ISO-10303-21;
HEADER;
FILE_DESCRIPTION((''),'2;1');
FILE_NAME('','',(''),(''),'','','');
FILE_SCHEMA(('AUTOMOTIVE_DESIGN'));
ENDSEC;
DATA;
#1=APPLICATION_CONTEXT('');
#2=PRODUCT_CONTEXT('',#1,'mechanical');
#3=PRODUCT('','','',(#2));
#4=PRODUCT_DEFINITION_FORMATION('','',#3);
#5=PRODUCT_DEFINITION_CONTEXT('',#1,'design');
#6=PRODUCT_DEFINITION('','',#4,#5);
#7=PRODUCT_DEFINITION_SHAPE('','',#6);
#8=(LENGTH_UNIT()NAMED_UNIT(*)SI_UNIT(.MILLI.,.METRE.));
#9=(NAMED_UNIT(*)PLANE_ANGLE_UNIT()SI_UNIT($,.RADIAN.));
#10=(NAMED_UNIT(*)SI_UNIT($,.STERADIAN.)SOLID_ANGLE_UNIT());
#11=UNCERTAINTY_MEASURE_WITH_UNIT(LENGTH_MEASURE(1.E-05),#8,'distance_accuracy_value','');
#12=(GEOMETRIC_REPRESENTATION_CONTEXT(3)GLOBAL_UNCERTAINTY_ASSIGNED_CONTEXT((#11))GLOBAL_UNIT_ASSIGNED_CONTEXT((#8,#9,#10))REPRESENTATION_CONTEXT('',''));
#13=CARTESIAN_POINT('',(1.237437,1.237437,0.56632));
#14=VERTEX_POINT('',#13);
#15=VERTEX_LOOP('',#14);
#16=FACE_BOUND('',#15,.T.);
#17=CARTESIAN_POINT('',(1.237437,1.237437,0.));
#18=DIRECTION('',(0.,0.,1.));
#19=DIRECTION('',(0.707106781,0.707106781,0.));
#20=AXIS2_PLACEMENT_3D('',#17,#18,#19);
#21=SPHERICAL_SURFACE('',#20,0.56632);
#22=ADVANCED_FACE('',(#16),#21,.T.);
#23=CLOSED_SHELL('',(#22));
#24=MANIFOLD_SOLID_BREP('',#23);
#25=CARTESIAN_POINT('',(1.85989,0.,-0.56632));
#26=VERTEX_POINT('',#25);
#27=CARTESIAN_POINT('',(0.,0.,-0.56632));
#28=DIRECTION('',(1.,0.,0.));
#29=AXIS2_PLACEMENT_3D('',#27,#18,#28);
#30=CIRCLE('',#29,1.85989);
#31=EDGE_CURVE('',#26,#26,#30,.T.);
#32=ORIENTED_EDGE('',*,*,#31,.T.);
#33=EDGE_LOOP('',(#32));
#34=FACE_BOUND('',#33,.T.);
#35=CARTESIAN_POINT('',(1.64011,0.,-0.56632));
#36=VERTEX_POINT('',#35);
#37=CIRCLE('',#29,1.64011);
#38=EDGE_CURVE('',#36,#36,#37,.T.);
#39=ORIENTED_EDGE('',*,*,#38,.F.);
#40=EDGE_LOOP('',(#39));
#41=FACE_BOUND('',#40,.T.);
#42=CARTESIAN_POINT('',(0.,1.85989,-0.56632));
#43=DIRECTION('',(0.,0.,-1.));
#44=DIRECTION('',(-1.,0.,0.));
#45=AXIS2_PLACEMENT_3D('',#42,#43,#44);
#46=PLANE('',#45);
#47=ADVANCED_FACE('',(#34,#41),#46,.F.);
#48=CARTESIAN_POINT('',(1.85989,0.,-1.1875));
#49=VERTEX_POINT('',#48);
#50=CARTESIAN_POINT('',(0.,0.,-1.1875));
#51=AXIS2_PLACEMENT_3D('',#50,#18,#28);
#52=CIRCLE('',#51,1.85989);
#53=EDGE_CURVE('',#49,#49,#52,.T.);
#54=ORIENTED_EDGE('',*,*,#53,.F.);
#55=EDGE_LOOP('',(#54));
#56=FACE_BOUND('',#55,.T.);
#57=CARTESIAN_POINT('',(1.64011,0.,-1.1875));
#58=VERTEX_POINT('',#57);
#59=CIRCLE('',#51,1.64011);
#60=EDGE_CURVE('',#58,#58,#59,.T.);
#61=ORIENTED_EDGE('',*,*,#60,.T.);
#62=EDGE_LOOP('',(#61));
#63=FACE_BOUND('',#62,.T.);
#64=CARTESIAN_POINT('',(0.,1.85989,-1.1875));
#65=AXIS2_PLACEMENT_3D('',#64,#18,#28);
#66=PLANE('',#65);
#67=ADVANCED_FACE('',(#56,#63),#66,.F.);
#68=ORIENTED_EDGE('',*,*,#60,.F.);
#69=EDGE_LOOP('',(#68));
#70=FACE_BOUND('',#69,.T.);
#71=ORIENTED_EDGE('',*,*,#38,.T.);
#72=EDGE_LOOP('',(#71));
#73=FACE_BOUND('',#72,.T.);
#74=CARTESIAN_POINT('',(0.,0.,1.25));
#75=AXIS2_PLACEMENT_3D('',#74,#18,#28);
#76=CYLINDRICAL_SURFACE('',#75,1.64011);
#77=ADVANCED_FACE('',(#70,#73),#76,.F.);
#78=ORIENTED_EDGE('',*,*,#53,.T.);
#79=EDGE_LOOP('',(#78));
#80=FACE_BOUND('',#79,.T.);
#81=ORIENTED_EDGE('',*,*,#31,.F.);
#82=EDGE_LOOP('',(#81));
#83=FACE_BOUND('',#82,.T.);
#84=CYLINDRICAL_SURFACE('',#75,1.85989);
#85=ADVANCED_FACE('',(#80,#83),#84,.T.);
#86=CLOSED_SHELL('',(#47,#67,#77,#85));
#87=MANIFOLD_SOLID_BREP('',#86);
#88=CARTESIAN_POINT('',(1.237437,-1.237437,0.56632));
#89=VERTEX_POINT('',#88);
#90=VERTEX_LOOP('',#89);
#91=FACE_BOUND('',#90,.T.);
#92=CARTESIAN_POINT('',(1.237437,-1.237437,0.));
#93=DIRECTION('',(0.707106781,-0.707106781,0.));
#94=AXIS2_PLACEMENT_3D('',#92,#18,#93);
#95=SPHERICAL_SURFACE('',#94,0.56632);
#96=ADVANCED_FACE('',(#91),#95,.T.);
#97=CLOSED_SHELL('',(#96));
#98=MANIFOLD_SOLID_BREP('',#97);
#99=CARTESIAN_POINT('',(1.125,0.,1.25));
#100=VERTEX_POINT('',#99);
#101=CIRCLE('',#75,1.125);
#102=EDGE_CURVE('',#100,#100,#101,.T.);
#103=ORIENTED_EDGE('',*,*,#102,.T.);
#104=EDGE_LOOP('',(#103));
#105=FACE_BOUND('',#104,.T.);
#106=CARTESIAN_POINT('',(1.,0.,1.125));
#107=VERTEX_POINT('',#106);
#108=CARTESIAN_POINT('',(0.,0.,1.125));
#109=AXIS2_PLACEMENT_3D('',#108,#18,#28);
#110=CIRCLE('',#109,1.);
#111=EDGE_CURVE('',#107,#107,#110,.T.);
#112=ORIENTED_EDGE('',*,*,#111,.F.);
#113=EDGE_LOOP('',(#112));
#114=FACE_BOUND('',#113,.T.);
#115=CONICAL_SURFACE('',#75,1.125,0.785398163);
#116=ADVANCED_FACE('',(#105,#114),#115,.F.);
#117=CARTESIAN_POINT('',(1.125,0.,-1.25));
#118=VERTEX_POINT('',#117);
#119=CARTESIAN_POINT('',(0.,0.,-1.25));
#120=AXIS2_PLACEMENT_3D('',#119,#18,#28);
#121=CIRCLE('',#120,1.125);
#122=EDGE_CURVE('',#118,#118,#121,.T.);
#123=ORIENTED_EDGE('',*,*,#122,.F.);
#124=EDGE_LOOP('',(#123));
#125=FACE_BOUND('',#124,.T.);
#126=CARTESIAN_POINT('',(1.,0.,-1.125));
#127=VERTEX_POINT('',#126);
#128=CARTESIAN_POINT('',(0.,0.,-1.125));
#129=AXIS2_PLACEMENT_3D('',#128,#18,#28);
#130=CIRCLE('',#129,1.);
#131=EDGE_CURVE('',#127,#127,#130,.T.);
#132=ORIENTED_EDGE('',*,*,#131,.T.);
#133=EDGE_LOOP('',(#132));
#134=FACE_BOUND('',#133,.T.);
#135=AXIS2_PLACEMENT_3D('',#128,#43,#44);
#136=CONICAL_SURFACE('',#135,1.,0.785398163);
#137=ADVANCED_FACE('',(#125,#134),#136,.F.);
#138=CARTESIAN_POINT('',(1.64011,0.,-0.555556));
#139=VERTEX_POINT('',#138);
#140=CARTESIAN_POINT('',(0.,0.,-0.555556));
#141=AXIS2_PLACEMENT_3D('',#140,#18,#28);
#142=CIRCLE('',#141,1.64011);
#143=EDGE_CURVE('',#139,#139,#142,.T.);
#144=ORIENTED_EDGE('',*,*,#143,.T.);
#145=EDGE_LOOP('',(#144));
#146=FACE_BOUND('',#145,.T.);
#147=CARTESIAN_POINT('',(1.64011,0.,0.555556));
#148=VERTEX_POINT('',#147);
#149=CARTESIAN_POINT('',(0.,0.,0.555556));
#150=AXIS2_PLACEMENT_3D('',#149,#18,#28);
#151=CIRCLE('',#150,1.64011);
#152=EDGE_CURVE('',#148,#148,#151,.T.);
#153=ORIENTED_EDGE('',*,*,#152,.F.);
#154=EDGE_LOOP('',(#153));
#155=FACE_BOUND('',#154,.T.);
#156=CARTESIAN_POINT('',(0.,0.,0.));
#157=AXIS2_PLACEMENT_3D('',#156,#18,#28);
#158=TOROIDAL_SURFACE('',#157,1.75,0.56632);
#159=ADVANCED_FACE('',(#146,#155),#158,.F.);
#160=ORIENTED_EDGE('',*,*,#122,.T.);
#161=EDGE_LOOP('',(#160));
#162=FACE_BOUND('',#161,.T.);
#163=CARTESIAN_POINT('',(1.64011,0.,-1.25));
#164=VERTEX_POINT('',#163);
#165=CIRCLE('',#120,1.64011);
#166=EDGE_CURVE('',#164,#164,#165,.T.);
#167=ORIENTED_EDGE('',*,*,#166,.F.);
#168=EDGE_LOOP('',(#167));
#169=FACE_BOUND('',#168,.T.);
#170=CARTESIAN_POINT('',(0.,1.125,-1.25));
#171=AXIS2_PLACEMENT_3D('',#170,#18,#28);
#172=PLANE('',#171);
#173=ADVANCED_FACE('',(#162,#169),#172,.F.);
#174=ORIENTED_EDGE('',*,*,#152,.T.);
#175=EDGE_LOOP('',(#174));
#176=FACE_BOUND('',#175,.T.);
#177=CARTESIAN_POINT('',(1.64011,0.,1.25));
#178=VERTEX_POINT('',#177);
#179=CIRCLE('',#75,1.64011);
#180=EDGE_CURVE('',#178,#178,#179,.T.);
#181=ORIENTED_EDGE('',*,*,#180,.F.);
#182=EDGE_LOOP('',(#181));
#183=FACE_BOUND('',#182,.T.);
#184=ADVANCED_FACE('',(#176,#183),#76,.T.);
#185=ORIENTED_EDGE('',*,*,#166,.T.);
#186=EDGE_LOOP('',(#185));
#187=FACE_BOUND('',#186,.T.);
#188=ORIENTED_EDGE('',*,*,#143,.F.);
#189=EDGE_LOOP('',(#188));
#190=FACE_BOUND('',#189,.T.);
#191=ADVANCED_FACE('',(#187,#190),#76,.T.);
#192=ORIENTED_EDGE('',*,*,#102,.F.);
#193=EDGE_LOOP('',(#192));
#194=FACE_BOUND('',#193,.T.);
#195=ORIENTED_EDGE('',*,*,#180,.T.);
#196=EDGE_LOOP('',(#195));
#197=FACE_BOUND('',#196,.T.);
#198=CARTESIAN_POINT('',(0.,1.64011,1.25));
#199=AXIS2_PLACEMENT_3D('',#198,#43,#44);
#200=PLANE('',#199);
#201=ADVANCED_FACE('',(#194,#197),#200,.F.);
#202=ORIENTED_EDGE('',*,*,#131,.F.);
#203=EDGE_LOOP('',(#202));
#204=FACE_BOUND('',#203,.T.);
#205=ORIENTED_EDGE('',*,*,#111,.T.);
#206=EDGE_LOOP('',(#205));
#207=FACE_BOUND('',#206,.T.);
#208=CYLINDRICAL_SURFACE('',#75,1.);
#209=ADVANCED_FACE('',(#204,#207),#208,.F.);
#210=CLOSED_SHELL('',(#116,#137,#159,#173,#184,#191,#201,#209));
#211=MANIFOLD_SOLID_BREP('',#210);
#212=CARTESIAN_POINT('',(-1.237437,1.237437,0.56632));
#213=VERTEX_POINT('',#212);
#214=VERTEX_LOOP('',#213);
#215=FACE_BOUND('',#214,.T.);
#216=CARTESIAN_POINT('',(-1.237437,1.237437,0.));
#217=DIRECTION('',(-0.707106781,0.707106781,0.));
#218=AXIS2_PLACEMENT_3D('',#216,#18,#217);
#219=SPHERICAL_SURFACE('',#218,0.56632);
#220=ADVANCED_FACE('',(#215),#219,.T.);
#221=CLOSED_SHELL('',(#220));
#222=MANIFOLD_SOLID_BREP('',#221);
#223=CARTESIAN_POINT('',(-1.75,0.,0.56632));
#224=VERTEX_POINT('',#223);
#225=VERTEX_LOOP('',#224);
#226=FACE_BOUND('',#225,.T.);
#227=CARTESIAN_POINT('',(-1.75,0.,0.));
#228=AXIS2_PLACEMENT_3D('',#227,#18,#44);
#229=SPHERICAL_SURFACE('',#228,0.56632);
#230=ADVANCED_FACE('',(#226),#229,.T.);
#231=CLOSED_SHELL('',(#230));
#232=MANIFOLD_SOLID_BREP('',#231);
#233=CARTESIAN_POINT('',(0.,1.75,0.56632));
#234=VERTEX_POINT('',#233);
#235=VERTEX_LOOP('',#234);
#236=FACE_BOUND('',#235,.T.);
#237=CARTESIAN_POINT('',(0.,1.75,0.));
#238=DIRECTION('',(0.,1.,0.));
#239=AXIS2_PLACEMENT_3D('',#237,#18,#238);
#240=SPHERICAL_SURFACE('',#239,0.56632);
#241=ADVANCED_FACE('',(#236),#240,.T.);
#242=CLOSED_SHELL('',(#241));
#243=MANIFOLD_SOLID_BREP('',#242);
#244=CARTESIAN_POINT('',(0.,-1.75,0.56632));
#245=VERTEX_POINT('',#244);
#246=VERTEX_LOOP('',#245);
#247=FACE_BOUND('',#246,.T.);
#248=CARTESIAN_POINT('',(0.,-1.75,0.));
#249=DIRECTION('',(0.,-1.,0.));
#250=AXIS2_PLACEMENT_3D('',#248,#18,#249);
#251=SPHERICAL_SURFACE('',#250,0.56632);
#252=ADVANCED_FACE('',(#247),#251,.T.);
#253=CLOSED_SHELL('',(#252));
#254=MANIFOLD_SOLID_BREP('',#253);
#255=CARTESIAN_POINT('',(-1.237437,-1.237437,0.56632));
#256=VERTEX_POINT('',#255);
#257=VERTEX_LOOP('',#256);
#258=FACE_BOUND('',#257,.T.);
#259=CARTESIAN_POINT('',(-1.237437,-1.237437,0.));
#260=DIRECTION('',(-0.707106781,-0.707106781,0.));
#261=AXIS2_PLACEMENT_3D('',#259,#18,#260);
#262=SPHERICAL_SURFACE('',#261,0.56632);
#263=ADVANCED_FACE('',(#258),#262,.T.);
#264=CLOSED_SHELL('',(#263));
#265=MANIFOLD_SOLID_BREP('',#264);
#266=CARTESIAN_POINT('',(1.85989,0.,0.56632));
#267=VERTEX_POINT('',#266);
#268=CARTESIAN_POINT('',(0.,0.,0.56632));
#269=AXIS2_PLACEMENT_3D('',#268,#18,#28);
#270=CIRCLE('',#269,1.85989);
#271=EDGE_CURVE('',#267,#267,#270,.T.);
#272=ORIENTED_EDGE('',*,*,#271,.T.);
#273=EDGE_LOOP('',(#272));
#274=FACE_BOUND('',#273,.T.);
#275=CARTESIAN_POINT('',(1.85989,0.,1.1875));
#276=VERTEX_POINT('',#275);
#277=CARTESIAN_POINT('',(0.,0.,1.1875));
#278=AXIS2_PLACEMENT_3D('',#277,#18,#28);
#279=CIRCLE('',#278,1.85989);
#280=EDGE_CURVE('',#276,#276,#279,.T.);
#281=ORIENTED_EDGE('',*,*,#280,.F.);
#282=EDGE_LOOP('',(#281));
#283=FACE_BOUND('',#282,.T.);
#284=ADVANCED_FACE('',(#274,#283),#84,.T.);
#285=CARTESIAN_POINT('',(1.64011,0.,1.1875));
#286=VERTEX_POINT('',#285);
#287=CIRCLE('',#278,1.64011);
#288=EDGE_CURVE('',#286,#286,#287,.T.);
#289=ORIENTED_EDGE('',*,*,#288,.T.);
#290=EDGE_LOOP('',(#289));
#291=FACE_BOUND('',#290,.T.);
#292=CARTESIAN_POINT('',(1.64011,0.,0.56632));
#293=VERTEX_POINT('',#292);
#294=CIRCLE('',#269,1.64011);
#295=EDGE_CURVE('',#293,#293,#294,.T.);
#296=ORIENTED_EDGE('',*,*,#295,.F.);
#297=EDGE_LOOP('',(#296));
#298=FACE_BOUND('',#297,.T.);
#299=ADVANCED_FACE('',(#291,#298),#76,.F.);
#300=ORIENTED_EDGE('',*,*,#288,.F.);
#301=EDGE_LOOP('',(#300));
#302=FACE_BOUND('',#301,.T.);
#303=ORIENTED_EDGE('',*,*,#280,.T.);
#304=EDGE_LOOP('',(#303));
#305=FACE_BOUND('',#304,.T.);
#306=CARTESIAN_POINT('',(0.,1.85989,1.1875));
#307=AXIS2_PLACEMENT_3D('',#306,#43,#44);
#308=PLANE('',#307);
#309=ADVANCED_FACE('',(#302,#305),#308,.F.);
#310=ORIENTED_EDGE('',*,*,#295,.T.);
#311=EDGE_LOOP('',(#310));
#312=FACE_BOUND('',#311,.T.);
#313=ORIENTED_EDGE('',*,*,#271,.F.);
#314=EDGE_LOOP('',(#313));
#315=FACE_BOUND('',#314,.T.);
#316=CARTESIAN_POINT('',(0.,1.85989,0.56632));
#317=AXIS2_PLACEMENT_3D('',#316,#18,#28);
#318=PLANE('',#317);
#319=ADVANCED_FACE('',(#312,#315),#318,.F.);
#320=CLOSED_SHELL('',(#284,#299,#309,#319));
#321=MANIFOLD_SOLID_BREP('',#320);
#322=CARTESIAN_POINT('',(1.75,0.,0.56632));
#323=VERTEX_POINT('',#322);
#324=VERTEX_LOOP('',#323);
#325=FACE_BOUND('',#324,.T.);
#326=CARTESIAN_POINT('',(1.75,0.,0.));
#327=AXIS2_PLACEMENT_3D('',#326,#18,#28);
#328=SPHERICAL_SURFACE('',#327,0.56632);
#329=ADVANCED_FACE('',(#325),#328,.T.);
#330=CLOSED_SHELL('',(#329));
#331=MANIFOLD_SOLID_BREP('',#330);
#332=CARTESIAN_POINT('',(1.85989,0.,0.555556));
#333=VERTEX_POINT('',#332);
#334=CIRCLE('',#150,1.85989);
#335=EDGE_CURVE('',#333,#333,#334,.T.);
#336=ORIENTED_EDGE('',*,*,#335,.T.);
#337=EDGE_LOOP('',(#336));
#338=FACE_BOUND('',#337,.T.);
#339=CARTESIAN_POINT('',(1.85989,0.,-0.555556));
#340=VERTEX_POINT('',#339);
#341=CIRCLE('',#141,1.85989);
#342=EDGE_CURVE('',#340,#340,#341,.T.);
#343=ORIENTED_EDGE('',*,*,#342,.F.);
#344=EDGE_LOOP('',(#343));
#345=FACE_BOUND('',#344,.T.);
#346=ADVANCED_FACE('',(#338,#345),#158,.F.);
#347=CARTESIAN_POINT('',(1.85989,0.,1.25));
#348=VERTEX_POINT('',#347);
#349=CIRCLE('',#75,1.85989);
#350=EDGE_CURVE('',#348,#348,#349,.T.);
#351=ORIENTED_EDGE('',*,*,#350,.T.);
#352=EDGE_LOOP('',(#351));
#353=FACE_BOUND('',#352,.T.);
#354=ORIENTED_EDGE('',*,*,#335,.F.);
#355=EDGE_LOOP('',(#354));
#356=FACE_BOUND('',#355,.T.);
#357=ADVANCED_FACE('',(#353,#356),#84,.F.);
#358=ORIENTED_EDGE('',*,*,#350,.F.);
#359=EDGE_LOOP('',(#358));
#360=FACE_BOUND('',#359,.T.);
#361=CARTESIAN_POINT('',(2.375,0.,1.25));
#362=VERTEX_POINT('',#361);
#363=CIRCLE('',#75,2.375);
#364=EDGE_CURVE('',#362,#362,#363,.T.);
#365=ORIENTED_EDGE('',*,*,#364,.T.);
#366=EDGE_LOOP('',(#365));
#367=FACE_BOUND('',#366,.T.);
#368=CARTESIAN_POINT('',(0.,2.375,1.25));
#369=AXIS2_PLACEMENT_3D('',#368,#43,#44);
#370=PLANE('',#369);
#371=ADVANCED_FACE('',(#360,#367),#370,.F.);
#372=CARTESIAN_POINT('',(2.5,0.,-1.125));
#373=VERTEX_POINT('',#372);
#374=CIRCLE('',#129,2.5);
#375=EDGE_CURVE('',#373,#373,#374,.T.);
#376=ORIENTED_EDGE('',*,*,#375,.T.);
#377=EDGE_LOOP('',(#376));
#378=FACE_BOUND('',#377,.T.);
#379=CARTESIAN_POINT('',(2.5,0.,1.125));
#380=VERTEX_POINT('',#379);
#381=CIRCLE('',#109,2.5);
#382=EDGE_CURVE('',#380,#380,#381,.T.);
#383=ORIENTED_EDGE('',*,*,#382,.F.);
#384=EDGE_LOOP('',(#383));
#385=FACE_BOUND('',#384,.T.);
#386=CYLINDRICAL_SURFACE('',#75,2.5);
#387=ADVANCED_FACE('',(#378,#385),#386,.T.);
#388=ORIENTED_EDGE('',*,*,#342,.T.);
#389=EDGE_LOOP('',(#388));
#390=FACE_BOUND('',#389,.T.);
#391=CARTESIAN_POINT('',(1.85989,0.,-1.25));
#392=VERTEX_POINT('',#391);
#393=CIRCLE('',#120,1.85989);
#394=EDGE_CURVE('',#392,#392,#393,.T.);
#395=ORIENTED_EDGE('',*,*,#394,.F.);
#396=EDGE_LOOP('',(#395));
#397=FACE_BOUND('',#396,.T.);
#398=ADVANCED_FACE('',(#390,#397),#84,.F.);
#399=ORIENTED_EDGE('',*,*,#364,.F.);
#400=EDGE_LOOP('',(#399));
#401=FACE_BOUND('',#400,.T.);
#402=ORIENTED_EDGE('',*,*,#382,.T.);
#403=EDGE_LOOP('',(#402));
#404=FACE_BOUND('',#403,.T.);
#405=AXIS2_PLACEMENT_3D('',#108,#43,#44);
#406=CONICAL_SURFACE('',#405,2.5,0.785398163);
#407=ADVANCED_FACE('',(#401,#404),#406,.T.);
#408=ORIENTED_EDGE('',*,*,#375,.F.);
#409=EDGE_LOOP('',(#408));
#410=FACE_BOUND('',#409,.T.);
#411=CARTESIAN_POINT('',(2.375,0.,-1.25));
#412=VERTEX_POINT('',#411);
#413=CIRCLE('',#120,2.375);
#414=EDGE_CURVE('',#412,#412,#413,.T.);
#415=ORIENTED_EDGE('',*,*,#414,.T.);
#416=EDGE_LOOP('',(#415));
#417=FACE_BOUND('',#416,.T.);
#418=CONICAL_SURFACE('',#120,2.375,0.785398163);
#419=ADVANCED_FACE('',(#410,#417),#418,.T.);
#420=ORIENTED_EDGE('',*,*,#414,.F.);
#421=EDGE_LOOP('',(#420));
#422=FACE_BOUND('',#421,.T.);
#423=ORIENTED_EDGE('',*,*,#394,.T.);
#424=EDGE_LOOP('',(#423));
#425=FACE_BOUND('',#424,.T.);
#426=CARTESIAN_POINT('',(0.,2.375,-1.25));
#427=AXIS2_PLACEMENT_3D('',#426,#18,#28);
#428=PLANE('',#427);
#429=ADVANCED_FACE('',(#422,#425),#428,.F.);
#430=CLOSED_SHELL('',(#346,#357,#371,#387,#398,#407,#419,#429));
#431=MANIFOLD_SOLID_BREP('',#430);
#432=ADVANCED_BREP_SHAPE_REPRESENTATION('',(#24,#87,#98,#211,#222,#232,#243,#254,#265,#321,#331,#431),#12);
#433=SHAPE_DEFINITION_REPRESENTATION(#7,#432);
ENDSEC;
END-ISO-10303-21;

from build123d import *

# Parameters (mm, degrees)
CIRPATTERN1_COUNT = 8
SKETCH5_W         = 0.621180469
SKETCH5_H         = 0.21978022


with BuildPart() as part:
    # Sketch1 → Revolve1 (revolve)
    with BuildSketch(Plane(origin=(0, 0, 0), x_dir=(0, 0, -1), z_dir=(1, 0, 0))):
        with BuildLine():
            Line((1.125, 2.5), (-1.125, 2.5))
            Line((-1.125, 2.5), (-1.25, 2.375))
            Line((-1.25, 2.375), (-1.25, 1.85989011))
            Line((-1.25, 1.85989011), (-0.555555556, 1.85989011))
            ThreePointArc((-0.555555556, 1.85989011), (0, 2.316319531), (0.555555556, 1.85989011))
            Line((0.555555556, 1.85989011), (1.25, 1.85989011))
            Line((1.25, 1.85989011), (1.25, 2.375))
            Line((1.25, 2.375), (1.125, 2.5))
        make_face()
    revolve(axis=Axis((0, 0, 1.25), (0, 0, -1)))


with BuildPart() as body_2:
    # Sketch3 → Revolve3 (revolve)
    with BuildSketch(Plane(origin=(0, 0, 0), x_dir=(0, 0, -1), z_dir=(1, 0, 0))):
        with BuildLine():
            Line((-1.25, 1.64010989), (-0.555555556, 1.64010989))
            ThreePointArc((-0.555555556, 1.64010989), (0, 1.183680469), (0.555555556, 1.64010989))
            Line((0.555555556, 1.64010989), (1.25, 1.64010989))
            Line((1.25, 1.64010989), (1.25, 1.125))
            Line((1.25, 1.125), (1.125, 1))
            Line((1.125, 1), (-1.125, 1))
            Line((-1.125, 1), (-1.25, 1.125))
            Line((-1.25, 1.125), (-1.25, 1.64010989))
        make_face()
    revolve(axis=Axis((0, 0, 1.25), (0, 0, -1)))


with BuildPart() as body_3:
    # Sketch4 → Revolve4 (revolve)
    with BuildSketch(Plane(origin=(0, 0, 0), x_dir=(0, 0, -1), z_dir=(1, 0, 0))):
        with BuildLine():
            Line((-0.566319531, 1.75), (0.566319531, 1.75))
            ThreePointArc((0.566319531, 1.75), (0, 2.316319531), (-0.566319531, 1.75))
        make_face()
    revolve(axis=Axis((0, 1.75, 0.566319531), (0, 0, -1)))


with BuildPart() as cirpattern1_1:
    # CirPattern1: pattern copy
    add(body_3.part.rotate(Axis((0, 0, -1.25), (0, 0, 1)), 1 * 360 / CIRPATTERN1_COUNT))


with BuildPart() as cirpattern1_2:
    # CirPattern1: pattern copy
    add(body_3.part.rotate(Axis((0, 0, -1.25), (0, 0, 1)), 2 * 360 / CIRPATTERN1_COUNT))


with BuildPart() as cirpattern1_3:
    # CirPattern1: pattern copy
    add(body_3.part.rotate(Axis((0, 0, -1.25), (0, 0, 1)), 3 * 360 / CIRPATTERN1_COUNT))


with BuildPart() as cirpattern1_4:
    # CirPattern1: pattern copy
    add(body_3.part.rotate(Axis((0, 0, -1.25), (0, 0, 1)), 4 * 360 / CIRPATTERN1_COUNT))


with BuildPart() as cirpattern1_5:
    # CirPattern1: pattern copy
    add(body_3.part.rotate(Axis((0, 0, -1.25), (0, 0, 1)), 5 * 360 / CIRPATTERN1_COUNT))


with BuildPart() as cirpattern1_6:
    # CirPattern1: pattern copy
    add(body_3.part.rotate(Axis((0, 0, -1.25), (0, 0, 1)), 6 * 360 / CIRPATTERN1_COUNT))


with BuildPart() as cirpattern1_7:
    # CirPattern1: pattern copy
    add(body_3.part.rotate(Axis((0, 0, -1.25), (0, 0, 1)), 7 * 360 / CIRPATTERN1_COUNT))


with BuildPart() as body_11:
    # Sketch5 → Revolve5 (revolve)
    with BuildSketch(Plane(origin=(0, 0, 0), x_dir=(0, 0, -1), z_dir=(1, 0, 0))):
        with Locations((-0.876909765, 1.75)):
            Rectangle(SKETCH5_W, SKETCH5_H)
        with Locations((0.876909765, 1.75)):
            Rectangle(SKETCH5_W, SKETCH5_H)
    revolve(axis=Axis((0, 0, 1.25), (0, 0, -1)))


solid = Compound([part.part, body_2.part, body_3.part, cirpattern1_1.part, cirpattern1_2.part, cirpattern1_3.part, cirpattern1_4.part, cirpattern1_5.part, cirpattern1_6.part, cirpattern1_7.part, body_11.part])
